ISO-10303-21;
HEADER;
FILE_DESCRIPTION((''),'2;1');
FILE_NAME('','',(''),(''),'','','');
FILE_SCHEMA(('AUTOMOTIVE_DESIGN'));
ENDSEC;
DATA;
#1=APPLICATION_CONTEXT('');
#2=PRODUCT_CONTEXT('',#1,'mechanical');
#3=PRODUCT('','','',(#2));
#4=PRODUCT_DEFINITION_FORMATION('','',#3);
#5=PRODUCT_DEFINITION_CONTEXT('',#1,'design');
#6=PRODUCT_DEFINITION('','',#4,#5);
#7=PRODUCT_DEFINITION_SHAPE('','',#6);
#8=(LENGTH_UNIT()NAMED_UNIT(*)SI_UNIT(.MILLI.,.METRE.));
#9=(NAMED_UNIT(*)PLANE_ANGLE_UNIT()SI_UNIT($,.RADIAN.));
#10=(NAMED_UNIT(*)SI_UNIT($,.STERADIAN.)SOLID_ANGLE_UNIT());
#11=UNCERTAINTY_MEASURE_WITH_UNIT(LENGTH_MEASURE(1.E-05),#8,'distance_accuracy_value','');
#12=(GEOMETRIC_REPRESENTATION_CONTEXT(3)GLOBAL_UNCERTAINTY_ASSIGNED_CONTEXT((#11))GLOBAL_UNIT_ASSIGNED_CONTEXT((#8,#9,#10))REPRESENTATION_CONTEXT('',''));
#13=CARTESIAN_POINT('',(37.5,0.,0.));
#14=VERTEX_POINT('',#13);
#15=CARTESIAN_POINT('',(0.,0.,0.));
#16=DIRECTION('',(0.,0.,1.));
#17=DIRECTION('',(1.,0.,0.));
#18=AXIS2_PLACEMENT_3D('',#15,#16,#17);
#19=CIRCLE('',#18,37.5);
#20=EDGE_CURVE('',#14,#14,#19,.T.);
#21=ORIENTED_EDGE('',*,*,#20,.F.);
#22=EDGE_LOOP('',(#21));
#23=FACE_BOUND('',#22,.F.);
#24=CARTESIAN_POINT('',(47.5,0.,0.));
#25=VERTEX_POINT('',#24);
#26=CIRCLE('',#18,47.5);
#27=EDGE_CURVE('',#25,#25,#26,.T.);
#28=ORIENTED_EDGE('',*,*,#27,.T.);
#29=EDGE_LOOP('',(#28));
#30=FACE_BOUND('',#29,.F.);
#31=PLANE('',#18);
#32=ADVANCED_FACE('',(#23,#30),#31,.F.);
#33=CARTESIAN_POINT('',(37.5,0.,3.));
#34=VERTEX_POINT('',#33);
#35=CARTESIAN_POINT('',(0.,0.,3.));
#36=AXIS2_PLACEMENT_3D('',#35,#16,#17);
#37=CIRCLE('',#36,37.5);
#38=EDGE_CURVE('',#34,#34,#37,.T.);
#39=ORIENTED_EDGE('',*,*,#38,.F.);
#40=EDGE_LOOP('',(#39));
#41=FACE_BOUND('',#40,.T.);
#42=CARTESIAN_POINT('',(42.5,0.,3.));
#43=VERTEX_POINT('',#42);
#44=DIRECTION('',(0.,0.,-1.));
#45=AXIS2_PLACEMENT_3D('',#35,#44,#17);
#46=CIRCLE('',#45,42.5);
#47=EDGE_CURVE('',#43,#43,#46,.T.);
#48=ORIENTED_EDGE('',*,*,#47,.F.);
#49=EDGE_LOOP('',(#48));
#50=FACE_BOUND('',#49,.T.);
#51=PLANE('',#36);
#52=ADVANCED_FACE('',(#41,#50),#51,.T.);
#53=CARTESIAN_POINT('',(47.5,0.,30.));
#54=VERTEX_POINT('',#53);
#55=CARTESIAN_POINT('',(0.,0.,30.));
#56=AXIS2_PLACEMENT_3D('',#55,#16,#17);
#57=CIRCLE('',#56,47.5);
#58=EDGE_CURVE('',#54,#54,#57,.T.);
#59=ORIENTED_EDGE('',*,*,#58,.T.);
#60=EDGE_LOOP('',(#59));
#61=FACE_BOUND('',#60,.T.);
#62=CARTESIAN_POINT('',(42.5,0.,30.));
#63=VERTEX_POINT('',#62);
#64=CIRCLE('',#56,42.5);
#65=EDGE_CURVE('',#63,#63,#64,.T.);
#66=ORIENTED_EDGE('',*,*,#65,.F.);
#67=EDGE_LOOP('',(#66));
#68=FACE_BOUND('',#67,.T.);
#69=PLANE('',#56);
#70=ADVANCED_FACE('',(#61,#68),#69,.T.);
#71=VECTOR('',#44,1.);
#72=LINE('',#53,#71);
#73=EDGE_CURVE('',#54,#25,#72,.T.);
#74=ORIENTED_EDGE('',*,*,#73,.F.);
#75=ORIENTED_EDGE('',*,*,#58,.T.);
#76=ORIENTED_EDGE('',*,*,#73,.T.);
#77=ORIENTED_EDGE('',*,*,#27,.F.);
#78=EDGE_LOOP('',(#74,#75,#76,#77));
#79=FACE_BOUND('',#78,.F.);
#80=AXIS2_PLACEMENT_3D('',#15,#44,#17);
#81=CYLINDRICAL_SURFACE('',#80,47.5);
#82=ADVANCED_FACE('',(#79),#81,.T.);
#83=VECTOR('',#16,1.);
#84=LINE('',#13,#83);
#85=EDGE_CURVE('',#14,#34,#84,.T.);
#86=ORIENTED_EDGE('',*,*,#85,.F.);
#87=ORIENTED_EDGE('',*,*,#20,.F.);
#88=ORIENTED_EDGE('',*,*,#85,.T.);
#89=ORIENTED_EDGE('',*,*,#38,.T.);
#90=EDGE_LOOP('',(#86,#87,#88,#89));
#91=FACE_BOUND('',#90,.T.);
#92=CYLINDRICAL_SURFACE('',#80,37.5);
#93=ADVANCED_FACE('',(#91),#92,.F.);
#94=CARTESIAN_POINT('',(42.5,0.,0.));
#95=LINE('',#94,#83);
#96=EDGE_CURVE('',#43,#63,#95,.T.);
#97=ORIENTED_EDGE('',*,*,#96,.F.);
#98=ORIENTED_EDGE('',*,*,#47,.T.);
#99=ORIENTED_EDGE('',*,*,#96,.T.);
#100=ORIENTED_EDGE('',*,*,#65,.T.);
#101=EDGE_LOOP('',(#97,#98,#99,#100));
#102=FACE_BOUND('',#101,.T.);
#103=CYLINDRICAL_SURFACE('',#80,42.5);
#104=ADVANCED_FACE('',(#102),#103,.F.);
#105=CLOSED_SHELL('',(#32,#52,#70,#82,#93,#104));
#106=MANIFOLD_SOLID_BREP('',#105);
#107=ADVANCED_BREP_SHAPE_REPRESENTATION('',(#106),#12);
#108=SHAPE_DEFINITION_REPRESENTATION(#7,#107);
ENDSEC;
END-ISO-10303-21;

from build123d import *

# Parameters (mm, degrees)
F0_R     = 47.5
F0_R_2   = 42.5
F1_DEPTH = 30
F0_R_3   = 37.5
F2_DEPTH = 3


with BuildPart() as f1:
    # F0 (on Top) → F1 (new body)
    with BuildSketch(Plane.XY):
        Circle(F0_R)
        Circle(F0_R_2, mode=Mode.SUBTRACT)
    extrude(amount=F1_DEPTH)

    # F0 (on Top) → F2 (join)
    with BuildSketch(Plane.XY):
        Circle(F0_R)
        Circle(F0_R_2, mode=Mode.SUBTRACT)
        Circle(F0_R_2)
        Circle(F0_R_3, mode=Mode.SUBTRACT)
    extrude(amount=F2_DEPTH)


solid = f1.part
